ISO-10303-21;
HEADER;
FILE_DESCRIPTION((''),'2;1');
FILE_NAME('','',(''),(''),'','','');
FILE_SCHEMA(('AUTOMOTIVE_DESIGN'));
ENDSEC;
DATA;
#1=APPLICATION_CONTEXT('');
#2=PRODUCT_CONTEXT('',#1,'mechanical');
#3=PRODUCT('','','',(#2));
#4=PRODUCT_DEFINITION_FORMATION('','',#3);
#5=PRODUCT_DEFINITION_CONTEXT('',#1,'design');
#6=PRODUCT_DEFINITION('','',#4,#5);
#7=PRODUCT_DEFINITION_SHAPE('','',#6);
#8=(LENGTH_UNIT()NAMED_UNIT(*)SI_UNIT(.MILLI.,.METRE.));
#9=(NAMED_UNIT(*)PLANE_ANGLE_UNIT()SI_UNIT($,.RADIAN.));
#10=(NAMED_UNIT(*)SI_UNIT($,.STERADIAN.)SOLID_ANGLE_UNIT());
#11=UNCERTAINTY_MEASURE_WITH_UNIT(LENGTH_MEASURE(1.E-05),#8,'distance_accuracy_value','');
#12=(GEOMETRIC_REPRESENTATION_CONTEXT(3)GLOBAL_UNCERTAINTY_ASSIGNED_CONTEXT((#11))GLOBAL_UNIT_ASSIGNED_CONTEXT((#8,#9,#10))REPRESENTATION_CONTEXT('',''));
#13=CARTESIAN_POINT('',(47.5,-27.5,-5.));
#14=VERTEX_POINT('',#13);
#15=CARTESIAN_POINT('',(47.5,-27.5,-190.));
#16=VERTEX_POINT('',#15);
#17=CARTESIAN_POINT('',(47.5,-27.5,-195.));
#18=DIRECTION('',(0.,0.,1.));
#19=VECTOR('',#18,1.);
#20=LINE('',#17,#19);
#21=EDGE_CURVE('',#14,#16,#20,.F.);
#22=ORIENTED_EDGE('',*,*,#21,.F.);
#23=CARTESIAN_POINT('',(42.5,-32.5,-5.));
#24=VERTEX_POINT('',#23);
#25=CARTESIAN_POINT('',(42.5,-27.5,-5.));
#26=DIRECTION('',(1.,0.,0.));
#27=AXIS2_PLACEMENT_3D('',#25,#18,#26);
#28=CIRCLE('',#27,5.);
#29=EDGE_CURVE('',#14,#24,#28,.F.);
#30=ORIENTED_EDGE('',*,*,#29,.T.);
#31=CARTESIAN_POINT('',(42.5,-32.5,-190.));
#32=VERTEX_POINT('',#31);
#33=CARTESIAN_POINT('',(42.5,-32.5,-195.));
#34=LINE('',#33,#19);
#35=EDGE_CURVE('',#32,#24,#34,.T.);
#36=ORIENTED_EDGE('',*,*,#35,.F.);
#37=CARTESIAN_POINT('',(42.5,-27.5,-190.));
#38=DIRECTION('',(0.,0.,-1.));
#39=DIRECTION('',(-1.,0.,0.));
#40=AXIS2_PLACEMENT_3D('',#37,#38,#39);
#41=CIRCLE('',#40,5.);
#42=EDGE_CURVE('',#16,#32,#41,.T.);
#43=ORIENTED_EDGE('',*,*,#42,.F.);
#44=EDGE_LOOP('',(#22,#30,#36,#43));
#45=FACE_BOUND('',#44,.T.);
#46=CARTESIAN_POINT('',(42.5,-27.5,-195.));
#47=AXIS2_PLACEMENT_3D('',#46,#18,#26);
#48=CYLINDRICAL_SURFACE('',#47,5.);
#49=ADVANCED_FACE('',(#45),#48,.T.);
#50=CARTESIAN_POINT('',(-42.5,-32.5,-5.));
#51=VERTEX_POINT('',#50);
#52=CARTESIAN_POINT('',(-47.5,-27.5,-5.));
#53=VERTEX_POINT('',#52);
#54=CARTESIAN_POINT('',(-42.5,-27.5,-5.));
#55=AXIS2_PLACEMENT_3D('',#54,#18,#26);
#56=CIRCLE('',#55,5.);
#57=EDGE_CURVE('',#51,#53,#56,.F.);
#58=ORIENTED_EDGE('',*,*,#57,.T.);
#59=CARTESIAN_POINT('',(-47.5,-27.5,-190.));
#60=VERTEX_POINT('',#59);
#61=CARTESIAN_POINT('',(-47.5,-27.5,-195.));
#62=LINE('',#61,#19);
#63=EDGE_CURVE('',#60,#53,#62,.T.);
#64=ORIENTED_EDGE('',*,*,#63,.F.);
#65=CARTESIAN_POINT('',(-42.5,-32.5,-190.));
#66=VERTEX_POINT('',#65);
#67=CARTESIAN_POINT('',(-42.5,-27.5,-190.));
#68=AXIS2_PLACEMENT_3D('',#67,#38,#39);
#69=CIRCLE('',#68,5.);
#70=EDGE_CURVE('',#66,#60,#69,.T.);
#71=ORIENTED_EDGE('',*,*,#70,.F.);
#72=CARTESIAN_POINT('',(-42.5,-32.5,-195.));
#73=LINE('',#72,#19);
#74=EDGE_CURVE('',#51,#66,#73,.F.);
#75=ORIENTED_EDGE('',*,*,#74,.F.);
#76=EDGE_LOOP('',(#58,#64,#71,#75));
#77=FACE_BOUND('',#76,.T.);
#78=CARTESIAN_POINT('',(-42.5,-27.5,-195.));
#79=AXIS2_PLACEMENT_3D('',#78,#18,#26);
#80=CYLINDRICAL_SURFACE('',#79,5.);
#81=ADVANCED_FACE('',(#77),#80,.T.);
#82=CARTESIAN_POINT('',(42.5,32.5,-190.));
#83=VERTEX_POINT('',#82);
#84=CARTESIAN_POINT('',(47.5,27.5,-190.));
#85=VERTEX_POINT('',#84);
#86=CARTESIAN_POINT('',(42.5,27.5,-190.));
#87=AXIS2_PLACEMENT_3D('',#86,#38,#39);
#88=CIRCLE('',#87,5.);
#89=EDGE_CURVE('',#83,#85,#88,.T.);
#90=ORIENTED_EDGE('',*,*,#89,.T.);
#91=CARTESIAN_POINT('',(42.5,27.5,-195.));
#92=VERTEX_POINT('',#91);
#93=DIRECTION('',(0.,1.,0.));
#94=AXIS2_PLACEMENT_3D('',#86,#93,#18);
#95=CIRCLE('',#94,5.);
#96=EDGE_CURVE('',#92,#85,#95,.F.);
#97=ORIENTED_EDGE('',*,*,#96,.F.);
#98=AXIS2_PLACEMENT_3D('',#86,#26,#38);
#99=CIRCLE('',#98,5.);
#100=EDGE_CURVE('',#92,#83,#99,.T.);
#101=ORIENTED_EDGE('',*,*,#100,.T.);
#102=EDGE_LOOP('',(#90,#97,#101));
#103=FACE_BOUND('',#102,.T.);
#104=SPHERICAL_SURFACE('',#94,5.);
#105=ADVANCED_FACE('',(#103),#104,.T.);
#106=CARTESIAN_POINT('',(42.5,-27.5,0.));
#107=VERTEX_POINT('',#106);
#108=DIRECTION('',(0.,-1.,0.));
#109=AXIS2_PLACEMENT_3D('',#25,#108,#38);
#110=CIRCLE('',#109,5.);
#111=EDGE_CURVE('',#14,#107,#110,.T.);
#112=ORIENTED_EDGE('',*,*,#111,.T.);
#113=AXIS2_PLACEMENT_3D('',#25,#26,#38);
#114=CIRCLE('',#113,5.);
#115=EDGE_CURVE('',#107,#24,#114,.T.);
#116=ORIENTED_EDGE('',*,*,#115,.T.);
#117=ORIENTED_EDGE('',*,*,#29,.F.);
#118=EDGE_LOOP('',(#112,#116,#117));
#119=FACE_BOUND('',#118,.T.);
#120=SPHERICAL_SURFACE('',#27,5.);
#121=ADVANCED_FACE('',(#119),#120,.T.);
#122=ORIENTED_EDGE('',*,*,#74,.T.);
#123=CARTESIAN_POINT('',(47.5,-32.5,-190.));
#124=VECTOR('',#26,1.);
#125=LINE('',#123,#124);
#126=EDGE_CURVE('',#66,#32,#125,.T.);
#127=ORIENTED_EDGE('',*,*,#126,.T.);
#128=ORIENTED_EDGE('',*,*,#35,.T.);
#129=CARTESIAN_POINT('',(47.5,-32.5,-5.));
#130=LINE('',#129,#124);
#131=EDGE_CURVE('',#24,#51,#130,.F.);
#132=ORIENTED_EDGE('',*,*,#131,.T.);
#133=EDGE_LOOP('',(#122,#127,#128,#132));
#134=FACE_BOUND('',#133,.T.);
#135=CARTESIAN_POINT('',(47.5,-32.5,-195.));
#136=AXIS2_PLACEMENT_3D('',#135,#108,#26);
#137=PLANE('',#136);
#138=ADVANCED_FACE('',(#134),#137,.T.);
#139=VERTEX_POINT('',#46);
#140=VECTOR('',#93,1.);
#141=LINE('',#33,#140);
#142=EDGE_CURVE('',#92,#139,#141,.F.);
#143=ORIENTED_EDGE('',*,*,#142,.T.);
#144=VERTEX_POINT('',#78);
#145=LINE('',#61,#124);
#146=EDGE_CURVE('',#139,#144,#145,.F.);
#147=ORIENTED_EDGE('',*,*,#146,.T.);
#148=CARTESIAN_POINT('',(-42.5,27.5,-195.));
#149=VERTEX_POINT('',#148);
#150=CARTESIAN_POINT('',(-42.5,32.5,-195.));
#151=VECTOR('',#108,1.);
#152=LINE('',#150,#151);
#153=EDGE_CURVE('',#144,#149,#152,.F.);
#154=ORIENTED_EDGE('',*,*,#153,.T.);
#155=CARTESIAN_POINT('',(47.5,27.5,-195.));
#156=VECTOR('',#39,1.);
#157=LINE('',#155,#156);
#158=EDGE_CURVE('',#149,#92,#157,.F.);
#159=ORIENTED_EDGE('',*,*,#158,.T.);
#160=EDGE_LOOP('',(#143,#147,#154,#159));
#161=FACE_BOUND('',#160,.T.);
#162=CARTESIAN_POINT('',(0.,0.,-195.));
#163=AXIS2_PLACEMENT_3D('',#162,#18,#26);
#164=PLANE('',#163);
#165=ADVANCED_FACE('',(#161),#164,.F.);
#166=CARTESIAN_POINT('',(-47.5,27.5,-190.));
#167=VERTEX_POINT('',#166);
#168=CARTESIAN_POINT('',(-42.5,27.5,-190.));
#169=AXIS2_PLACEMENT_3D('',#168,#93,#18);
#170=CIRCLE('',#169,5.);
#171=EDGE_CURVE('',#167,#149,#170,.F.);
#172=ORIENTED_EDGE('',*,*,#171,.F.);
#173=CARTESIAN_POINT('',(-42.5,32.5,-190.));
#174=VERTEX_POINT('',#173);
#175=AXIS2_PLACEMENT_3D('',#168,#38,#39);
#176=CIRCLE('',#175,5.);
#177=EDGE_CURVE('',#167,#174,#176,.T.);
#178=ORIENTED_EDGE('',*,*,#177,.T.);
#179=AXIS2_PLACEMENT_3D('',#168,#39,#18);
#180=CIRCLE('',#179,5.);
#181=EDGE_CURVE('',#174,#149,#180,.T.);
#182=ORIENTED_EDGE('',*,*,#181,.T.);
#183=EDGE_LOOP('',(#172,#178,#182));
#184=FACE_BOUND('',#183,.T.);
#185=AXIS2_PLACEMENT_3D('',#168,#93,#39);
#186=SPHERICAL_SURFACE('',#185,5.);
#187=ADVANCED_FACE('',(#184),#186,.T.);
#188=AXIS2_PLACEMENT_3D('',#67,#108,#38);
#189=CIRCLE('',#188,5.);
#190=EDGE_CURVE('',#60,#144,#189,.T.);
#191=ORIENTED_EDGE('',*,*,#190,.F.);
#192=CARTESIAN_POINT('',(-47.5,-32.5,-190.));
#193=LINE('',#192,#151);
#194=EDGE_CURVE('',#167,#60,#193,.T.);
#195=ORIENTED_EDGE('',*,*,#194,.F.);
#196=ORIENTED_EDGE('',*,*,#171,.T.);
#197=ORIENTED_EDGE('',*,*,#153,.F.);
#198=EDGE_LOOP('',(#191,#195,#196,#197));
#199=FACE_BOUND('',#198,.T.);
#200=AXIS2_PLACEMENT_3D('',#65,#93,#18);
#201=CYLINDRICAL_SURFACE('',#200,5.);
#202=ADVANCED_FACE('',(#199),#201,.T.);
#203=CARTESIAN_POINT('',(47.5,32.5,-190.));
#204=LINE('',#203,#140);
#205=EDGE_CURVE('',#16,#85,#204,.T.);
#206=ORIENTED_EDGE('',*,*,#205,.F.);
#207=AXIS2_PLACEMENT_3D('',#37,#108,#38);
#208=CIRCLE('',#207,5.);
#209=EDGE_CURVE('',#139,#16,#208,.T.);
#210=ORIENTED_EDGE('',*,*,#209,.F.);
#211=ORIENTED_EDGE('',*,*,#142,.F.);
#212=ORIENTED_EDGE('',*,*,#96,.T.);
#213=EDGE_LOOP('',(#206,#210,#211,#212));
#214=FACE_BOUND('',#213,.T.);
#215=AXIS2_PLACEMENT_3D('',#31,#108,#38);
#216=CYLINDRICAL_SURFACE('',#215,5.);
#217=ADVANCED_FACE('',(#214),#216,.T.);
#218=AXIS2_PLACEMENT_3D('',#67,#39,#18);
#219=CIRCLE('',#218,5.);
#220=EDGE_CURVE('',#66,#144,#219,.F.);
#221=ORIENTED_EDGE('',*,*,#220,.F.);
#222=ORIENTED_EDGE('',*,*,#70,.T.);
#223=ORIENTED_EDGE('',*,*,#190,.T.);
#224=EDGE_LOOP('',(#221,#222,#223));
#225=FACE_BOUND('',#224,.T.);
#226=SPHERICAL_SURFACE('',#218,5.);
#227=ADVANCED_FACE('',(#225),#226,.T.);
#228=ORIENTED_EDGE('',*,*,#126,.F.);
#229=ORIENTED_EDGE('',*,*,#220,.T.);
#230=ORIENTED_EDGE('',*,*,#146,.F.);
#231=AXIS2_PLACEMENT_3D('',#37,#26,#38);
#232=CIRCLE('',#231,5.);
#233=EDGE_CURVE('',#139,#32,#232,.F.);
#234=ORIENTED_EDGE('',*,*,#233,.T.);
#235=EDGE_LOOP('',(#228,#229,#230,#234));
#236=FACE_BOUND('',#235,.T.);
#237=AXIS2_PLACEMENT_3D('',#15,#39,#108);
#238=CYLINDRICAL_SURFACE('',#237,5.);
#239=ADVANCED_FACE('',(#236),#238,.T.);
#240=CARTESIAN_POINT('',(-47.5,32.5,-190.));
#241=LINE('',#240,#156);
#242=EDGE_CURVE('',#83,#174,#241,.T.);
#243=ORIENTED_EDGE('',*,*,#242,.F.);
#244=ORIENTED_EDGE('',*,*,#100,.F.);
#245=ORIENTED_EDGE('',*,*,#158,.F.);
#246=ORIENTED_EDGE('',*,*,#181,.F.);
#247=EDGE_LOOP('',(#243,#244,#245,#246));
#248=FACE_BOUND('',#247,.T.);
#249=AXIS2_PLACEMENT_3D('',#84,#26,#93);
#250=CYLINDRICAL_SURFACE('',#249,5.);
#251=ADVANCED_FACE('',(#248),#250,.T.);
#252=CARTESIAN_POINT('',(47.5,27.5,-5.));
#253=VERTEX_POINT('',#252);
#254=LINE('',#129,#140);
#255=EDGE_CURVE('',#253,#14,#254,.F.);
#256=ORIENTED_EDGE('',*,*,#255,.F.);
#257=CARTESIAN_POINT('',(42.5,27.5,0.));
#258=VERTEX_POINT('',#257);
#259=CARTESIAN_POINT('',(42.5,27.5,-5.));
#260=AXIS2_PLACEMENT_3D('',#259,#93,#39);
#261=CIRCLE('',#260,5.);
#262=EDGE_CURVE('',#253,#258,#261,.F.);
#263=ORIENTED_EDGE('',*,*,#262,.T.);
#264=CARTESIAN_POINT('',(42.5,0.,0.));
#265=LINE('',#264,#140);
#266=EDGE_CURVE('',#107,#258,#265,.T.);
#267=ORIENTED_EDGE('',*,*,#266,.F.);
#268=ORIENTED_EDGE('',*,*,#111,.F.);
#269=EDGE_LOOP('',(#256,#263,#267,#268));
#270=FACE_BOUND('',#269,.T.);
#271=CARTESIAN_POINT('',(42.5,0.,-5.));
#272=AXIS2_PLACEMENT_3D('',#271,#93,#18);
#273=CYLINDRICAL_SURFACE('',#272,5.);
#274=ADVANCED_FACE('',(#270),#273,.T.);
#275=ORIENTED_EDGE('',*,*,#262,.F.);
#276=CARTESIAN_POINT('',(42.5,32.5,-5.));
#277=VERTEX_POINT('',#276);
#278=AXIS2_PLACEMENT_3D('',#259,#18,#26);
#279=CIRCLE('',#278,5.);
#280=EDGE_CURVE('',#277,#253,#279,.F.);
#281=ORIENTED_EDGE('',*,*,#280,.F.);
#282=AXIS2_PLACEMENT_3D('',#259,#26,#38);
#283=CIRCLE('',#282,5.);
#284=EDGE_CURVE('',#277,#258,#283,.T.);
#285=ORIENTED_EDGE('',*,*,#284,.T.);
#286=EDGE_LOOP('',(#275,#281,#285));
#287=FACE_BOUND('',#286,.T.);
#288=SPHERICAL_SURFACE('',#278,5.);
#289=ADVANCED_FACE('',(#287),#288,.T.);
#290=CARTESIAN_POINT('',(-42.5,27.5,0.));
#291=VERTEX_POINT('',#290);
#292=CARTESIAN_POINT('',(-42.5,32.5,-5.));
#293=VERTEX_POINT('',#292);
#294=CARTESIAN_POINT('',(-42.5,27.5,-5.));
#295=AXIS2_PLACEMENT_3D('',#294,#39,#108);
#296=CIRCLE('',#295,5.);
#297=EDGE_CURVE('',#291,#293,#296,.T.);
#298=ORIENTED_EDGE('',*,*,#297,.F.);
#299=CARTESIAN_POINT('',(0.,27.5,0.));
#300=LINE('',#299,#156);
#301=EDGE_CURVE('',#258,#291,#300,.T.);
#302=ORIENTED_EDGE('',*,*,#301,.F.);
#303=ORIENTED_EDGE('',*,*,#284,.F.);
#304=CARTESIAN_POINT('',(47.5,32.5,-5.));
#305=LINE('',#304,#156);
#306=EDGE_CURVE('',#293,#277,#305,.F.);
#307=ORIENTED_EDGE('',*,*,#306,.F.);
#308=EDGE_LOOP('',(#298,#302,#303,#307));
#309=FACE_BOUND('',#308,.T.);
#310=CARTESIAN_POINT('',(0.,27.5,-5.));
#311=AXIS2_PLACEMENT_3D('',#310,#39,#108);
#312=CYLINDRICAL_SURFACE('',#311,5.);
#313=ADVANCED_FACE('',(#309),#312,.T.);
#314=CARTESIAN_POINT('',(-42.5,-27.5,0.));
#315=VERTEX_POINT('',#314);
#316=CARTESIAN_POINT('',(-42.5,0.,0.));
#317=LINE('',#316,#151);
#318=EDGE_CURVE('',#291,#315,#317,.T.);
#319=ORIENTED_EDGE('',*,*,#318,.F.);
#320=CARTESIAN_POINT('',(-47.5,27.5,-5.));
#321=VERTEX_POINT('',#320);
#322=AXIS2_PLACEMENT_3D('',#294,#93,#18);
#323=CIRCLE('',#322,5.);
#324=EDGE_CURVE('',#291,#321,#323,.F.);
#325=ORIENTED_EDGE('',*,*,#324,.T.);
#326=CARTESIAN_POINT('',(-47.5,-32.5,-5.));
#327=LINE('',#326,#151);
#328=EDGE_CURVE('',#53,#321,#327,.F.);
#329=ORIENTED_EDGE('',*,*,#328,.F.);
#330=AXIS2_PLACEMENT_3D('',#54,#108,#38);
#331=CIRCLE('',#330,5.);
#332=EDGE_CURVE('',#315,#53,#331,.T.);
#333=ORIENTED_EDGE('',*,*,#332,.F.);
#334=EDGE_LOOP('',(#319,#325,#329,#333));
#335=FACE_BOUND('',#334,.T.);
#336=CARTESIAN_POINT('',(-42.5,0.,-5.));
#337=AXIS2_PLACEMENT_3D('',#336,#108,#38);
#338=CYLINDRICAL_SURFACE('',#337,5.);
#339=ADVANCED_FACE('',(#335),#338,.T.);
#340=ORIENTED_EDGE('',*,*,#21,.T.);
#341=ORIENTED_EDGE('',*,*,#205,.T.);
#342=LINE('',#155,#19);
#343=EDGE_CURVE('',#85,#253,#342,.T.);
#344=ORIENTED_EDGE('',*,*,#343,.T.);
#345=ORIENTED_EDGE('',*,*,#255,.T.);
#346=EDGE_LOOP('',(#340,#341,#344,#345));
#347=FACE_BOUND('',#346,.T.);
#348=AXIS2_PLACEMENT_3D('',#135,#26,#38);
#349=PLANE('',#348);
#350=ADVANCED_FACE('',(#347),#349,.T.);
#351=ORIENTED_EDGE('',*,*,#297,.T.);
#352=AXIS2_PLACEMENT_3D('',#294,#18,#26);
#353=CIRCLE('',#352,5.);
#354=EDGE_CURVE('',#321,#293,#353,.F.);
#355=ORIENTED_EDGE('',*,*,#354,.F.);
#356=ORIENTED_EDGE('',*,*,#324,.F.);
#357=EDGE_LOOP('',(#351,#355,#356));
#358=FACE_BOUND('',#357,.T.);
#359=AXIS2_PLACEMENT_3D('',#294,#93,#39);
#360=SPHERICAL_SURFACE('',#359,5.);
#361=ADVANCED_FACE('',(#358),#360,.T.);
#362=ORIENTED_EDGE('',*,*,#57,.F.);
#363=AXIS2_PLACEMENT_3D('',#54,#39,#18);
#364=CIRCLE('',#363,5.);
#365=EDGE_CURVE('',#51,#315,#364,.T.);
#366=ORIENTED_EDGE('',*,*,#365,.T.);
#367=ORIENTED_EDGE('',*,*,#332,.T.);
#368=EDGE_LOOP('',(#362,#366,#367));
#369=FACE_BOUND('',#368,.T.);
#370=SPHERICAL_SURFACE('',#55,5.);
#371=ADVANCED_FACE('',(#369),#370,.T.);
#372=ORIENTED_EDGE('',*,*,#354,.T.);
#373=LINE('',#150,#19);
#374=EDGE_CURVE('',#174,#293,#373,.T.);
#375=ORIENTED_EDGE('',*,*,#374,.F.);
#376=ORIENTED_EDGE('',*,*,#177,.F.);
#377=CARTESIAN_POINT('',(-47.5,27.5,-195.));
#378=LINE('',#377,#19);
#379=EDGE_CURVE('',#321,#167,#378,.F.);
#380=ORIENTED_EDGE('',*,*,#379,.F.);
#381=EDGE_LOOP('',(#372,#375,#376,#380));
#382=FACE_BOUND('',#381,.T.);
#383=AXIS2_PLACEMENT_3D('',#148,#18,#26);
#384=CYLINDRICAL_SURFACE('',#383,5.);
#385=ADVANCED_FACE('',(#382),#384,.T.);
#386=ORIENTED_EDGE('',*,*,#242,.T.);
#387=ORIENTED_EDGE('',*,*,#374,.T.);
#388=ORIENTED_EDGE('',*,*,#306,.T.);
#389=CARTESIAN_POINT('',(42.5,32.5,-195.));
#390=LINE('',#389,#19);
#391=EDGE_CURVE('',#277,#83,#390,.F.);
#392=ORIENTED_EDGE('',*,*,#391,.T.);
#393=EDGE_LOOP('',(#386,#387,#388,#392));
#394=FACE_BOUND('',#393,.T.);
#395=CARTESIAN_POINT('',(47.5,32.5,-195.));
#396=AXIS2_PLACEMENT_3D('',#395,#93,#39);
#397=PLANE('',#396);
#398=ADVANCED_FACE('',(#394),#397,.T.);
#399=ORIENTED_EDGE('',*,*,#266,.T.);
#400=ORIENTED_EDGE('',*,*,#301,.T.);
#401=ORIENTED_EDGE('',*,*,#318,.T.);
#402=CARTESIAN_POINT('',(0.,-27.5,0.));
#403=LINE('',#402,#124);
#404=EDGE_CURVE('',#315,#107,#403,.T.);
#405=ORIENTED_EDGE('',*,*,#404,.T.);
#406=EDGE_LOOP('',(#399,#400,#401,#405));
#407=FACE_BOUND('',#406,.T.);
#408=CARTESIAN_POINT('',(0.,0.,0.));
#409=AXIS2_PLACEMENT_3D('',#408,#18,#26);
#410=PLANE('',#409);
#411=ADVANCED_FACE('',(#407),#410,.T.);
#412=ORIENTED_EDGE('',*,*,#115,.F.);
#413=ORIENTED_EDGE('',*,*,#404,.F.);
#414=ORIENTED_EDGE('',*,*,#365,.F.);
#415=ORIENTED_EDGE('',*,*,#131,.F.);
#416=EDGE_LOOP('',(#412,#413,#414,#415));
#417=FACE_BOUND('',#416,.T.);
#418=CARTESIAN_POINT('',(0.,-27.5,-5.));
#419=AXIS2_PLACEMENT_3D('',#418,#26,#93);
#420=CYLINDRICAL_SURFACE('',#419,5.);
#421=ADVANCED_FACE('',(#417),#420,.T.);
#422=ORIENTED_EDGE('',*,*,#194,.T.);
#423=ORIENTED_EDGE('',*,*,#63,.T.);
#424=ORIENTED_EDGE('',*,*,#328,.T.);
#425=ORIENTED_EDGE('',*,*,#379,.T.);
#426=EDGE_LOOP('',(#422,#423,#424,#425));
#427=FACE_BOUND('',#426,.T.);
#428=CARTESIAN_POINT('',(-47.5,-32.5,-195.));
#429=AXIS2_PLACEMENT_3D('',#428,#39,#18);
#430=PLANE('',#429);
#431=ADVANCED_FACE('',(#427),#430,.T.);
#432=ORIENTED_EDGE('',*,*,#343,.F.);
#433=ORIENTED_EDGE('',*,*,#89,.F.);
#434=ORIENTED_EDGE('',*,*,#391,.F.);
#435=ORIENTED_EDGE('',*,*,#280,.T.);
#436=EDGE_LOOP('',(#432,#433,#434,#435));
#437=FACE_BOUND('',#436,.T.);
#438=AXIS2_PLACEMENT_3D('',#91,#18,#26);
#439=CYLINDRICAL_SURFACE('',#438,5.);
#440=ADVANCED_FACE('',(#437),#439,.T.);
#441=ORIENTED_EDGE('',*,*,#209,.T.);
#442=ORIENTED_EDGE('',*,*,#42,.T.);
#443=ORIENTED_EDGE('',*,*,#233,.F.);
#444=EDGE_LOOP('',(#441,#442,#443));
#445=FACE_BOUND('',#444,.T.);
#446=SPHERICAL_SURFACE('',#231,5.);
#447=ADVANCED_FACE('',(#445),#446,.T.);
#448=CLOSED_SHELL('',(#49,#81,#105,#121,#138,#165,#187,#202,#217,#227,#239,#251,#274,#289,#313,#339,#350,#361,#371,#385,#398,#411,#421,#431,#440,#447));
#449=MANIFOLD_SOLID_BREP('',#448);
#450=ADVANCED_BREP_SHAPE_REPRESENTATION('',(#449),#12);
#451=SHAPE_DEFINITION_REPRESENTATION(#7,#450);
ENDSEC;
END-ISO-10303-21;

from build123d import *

# Parameters (mm, degrees)
SKETCH1_W           = 95
SKETCH1_H           = 65
BOSS_EXTRUDE1_DEPTH = 195
FILLET1_R           = 5


with BuildPart() as part:
    # Sketch1 → Boss-Extrude1 (new body)
    with BuildSketch(Plane.XY):
        Rectangle(SKETCH1_W, SKETCH1_H)
    extrude(amount=-BOSS_EXTRUDE1_DEPTH)

    # Fillet1
    fillet1_edges = [part.edges().sort_by_distance(p)[0] for p in [
        (47.5, 0, -195),
        (0, 32.5, -195),
        (-47.5, 0, -195),
        (0, 32.5, 0),
        (47.5, 0, 0),
        (0, -32.5, 0),
        (-47.5, 0, 0),
        (-47.5, 32.5, -97.5),
        (47.5, 32.5, -97.5),
        (47.5, -32.5, -97.5),
        (-47.5, -32.5, -97.5),
        (0, -32.5, -195),
    ]]
    fillet(fillet1_edges, radius=FILLET1_R)


solid = part.part
